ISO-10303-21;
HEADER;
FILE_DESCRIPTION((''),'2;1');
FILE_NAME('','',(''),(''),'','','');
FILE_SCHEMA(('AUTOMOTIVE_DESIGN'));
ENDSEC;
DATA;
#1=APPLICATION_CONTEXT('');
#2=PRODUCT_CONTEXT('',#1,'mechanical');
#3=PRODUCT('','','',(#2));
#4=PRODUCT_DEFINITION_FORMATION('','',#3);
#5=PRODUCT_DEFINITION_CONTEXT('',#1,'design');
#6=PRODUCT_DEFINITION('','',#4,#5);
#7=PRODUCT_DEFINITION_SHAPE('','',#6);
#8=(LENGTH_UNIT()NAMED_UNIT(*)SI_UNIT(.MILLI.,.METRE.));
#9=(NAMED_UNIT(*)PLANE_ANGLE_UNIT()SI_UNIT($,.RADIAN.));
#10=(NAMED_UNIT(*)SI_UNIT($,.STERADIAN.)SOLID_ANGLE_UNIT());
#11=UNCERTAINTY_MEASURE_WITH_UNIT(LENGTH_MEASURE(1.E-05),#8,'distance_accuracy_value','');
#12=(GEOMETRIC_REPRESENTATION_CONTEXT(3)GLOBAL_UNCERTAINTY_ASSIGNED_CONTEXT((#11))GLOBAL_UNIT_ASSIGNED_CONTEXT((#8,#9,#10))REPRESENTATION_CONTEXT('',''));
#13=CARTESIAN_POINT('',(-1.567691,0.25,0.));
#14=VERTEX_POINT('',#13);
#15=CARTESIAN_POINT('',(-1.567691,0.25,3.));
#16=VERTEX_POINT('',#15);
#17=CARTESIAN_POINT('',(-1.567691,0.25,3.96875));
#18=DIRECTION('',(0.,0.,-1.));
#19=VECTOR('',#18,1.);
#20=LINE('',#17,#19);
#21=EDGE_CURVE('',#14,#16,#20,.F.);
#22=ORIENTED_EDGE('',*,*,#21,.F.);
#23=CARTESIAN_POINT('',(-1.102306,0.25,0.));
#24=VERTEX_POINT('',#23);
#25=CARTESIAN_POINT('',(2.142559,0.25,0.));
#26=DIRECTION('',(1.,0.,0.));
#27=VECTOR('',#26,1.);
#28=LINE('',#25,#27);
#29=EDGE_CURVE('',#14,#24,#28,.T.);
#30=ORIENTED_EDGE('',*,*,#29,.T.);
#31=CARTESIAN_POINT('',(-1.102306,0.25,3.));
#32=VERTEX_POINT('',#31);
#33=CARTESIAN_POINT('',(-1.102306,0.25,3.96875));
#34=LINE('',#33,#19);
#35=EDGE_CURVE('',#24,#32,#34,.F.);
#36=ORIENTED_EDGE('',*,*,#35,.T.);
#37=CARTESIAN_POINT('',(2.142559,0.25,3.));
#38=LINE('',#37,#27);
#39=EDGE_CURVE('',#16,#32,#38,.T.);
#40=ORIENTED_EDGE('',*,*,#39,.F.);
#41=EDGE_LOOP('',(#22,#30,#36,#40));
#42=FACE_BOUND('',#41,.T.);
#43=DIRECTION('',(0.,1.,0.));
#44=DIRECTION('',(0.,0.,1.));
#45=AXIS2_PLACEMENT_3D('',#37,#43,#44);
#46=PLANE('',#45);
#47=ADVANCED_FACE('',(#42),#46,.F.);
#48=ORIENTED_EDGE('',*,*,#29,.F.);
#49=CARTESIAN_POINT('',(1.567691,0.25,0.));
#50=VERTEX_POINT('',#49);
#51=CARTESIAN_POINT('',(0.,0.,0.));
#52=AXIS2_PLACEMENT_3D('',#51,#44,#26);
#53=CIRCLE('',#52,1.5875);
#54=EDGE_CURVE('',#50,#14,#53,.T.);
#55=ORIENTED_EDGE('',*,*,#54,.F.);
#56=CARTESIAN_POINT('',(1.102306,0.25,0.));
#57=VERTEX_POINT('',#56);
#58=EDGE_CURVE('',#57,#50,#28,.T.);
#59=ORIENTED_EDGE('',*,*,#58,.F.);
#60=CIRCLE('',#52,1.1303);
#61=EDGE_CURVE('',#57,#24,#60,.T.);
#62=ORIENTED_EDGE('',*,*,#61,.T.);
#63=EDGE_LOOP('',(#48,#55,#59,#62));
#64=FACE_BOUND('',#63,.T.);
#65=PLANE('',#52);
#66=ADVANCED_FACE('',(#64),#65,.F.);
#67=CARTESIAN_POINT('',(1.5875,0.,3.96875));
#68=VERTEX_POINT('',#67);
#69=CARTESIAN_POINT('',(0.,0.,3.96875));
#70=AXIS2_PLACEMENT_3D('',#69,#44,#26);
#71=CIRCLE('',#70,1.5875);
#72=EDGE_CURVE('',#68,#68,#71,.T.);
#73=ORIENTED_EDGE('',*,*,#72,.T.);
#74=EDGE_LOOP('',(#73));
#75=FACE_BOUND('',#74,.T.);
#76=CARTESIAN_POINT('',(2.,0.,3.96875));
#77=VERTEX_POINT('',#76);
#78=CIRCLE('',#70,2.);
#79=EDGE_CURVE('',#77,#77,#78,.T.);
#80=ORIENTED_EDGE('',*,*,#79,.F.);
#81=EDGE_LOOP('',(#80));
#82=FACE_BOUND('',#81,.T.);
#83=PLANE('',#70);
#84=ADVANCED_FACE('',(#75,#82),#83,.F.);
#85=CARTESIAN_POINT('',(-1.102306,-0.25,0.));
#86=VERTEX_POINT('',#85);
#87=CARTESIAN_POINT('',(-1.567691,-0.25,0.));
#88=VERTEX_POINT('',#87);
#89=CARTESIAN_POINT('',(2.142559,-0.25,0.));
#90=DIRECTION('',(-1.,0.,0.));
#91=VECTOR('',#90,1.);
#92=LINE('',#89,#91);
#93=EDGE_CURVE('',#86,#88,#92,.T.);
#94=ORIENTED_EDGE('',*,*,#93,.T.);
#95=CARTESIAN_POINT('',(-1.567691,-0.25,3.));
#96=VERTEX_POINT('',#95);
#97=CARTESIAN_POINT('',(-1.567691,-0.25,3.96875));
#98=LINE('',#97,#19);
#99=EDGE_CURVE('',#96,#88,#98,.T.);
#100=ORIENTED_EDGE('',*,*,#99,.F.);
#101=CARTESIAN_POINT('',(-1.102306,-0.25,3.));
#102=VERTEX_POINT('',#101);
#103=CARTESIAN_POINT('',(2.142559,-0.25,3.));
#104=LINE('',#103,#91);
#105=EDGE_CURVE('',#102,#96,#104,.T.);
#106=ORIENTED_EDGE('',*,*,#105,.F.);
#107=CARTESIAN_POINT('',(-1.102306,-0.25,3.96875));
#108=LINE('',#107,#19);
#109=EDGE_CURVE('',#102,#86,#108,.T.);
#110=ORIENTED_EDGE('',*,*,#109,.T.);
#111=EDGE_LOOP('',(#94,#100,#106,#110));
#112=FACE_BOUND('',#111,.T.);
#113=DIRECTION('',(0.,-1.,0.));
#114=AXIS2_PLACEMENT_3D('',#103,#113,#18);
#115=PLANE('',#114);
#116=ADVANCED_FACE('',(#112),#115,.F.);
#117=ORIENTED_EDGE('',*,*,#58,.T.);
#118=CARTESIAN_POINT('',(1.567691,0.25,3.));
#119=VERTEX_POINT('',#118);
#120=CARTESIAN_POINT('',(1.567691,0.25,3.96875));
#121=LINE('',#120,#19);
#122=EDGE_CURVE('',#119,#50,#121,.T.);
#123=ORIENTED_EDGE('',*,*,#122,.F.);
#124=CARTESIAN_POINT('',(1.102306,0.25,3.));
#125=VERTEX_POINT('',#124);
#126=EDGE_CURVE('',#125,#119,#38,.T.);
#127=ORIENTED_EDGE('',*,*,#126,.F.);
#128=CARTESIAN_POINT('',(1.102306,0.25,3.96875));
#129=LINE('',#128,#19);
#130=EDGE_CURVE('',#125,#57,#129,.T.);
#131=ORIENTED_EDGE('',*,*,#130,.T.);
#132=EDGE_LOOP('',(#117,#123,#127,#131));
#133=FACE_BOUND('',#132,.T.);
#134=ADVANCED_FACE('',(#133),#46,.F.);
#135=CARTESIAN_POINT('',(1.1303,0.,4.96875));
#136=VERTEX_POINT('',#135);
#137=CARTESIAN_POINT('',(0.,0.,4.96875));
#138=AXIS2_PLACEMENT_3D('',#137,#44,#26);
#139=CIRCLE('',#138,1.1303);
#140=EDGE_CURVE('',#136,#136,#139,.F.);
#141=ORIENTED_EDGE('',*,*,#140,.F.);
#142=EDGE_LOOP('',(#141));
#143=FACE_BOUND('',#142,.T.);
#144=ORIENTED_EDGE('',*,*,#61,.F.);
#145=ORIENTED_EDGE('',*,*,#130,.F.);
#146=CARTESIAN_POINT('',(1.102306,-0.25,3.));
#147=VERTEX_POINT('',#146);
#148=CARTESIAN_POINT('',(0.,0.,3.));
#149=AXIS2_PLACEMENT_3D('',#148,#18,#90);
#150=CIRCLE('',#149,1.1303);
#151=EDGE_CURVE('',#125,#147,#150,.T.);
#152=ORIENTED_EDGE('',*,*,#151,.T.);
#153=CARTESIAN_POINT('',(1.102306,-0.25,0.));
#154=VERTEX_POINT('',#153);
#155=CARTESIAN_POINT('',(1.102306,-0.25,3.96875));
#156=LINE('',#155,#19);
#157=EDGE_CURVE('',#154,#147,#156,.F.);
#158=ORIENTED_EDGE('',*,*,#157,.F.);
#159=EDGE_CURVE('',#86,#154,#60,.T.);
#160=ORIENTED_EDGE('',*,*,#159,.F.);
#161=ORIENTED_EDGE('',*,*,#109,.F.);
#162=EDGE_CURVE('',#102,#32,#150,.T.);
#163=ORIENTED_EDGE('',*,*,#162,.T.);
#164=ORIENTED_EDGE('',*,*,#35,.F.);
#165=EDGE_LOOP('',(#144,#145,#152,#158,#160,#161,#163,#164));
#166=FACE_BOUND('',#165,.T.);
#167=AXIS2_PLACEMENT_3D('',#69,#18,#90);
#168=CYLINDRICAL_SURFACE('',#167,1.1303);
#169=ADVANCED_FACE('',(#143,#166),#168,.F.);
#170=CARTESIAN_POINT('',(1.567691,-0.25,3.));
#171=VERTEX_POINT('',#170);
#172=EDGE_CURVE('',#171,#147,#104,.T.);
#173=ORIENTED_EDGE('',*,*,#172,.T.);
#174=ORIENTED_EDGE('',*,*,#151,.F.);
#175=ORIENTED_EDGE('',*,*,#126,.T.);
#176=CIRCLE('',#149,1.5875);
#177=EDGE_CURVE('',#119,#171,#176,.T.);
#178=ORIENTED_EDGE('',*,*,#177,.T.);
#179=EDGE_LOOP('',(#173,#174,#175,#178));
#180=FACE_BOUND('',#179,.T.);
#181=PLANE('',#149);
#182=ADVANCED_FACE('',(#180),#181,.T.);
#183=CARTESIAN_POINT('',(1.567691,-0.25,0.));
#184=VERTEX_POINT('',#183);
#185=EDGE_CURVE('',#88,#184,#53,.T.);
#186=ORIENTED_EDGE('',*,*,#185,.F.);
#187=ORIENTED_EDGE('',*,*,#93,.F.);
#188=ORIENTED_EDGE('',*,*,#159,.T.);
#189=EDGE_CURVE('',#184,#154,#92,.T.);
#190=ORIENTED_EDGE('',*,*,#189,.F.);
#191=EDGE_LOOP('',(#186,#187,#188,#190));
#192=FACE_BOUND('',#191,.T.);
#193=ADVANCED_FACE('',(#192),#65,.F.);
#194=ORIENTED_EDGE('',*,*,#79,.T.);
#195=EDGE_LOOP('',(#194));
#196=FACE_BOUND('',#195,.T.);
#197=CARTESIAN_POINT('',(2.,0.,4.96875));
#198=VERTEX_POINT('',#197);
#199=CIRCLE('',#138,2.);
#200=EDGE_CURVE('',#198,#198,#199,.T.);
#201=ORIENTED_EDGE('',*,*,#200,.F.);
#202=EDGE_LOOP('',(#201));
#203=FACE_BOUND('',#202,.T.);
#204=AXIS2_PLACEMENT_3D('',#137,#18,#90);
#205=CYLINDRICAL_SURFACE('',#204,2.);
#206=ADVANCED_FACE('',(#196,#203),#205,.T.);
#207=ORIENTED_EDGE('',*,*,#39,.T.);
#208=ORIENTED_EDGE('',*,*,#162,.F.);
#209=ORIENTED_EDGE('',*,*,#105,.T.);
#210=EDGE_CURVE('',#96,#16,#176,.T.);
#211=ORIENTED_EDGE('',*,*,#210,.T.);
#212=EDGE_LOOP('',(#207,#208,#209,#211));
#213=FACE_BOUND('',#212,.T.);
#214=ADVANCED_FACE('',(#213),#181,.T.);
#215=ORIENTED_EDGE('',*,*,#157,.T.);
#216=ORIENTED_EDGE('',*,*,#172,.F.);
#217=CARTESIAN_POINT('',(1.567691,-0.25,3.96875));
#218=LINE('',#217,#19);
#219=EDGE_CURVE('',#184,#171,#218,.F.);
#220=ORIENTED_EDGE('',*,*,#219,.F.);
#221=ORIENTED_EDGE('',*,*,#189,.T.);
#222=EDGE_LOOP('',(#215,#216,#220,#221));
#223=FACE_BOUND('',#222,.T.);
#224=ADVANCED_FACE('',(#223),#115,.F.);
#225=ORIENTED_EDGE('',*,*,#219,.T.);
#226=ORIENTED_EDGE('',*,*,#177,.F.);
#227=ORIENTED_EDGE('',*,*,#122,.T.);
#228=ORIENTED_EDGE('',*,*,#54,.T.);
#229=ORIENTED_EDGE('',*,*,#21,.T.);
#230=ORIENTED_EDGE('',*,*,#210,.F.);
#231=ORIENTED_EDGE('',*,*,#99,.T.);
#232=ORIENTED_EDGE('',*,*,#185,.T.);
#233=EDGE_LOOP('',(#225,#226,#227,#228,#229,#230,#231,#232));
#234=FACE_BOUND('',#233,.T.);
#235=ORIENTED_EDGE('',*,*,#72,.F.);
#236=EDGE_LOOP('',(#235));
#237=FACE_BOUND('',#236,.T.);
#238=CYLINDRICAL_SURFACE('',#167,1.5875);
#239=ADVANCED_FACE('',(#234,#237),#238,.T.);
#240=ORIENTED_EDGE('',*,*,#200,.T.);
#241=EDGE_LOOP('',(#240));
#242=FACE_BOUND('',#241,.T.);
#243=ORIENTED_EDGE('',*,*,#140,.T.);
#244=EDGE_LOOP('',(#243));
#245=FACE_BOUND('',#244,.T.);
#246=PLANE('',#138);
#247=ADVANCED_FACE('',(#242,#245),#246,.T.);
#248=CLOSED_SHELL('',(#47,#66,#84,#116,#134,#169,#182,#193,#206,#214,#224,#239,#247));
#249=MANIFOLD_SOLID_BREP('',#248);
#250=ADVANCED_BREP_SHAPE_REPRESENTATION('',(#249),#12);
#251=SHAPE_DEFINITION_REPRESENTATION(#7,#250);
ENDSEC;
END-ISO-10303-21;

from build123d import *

# Parameters (mm, degrees)
SKETCH1_R           = 1.5875
SKETCH1_R_2         = 1.1303
BOSS_EXTRUDE1_DEPTH = 3.96875
SKETCH2_R           = 2
SKETCH2_R_2         = 1.5875
SKETCH2_R_3         = 1.1303
BOSS_EXTRUDE2_DEPTH = 1
SKETCH3_W           = 4.285117224
SKETCH3_H           = 0.5
CUT_EXTRUDE1_DEPTH  = 3


with BuildPart() as part:
    # Sketch1 → Boss-Extrude1 (new body)
    with BuildSketch(Plane.XY):
        Circle(SKETCH1_R)
        Circle(SKETCH1_R_2, mode=Mode.SUBTRACT)
    extrude(amount=BOSS_EXTRUDE1_DEPTH)

    # Sketch2 → Boss-Extrude2 (add)
    # profile 1 of 2: a face of its own
    with BuildSketch(Plane.XY.offset(3.96875)):
        Circle(SKETCH2_R)
        Circle(SKETCH2_R_2, mode=Mode.SUBTRACT)
    # profile 2 of 2: a face of its own
    with BuildSketch(Plane.XY.offset(3.96875)):
        Circle(SKETCH2_R_2)
        Circle(SKETCH2_R_3, mode=Mode.SUBTRACT)
    extrude(amount=BOSS_EXTRUDE2_DEPTH)

    # Sketch3 → Cut-Extrude1 (cut)
    with BuildSketch(Plane(origin=(0, 0, 0), x_dir=(-1, 0, 0), z_dir=(0, 0, -1))):
        Rectangle(SKETCH3_W, SKETCH3_H)
    extrude(amount=-CUT_EXTRUDE1_DEPTH, mode=Mode.SUBTRACT)


solid = part.part
